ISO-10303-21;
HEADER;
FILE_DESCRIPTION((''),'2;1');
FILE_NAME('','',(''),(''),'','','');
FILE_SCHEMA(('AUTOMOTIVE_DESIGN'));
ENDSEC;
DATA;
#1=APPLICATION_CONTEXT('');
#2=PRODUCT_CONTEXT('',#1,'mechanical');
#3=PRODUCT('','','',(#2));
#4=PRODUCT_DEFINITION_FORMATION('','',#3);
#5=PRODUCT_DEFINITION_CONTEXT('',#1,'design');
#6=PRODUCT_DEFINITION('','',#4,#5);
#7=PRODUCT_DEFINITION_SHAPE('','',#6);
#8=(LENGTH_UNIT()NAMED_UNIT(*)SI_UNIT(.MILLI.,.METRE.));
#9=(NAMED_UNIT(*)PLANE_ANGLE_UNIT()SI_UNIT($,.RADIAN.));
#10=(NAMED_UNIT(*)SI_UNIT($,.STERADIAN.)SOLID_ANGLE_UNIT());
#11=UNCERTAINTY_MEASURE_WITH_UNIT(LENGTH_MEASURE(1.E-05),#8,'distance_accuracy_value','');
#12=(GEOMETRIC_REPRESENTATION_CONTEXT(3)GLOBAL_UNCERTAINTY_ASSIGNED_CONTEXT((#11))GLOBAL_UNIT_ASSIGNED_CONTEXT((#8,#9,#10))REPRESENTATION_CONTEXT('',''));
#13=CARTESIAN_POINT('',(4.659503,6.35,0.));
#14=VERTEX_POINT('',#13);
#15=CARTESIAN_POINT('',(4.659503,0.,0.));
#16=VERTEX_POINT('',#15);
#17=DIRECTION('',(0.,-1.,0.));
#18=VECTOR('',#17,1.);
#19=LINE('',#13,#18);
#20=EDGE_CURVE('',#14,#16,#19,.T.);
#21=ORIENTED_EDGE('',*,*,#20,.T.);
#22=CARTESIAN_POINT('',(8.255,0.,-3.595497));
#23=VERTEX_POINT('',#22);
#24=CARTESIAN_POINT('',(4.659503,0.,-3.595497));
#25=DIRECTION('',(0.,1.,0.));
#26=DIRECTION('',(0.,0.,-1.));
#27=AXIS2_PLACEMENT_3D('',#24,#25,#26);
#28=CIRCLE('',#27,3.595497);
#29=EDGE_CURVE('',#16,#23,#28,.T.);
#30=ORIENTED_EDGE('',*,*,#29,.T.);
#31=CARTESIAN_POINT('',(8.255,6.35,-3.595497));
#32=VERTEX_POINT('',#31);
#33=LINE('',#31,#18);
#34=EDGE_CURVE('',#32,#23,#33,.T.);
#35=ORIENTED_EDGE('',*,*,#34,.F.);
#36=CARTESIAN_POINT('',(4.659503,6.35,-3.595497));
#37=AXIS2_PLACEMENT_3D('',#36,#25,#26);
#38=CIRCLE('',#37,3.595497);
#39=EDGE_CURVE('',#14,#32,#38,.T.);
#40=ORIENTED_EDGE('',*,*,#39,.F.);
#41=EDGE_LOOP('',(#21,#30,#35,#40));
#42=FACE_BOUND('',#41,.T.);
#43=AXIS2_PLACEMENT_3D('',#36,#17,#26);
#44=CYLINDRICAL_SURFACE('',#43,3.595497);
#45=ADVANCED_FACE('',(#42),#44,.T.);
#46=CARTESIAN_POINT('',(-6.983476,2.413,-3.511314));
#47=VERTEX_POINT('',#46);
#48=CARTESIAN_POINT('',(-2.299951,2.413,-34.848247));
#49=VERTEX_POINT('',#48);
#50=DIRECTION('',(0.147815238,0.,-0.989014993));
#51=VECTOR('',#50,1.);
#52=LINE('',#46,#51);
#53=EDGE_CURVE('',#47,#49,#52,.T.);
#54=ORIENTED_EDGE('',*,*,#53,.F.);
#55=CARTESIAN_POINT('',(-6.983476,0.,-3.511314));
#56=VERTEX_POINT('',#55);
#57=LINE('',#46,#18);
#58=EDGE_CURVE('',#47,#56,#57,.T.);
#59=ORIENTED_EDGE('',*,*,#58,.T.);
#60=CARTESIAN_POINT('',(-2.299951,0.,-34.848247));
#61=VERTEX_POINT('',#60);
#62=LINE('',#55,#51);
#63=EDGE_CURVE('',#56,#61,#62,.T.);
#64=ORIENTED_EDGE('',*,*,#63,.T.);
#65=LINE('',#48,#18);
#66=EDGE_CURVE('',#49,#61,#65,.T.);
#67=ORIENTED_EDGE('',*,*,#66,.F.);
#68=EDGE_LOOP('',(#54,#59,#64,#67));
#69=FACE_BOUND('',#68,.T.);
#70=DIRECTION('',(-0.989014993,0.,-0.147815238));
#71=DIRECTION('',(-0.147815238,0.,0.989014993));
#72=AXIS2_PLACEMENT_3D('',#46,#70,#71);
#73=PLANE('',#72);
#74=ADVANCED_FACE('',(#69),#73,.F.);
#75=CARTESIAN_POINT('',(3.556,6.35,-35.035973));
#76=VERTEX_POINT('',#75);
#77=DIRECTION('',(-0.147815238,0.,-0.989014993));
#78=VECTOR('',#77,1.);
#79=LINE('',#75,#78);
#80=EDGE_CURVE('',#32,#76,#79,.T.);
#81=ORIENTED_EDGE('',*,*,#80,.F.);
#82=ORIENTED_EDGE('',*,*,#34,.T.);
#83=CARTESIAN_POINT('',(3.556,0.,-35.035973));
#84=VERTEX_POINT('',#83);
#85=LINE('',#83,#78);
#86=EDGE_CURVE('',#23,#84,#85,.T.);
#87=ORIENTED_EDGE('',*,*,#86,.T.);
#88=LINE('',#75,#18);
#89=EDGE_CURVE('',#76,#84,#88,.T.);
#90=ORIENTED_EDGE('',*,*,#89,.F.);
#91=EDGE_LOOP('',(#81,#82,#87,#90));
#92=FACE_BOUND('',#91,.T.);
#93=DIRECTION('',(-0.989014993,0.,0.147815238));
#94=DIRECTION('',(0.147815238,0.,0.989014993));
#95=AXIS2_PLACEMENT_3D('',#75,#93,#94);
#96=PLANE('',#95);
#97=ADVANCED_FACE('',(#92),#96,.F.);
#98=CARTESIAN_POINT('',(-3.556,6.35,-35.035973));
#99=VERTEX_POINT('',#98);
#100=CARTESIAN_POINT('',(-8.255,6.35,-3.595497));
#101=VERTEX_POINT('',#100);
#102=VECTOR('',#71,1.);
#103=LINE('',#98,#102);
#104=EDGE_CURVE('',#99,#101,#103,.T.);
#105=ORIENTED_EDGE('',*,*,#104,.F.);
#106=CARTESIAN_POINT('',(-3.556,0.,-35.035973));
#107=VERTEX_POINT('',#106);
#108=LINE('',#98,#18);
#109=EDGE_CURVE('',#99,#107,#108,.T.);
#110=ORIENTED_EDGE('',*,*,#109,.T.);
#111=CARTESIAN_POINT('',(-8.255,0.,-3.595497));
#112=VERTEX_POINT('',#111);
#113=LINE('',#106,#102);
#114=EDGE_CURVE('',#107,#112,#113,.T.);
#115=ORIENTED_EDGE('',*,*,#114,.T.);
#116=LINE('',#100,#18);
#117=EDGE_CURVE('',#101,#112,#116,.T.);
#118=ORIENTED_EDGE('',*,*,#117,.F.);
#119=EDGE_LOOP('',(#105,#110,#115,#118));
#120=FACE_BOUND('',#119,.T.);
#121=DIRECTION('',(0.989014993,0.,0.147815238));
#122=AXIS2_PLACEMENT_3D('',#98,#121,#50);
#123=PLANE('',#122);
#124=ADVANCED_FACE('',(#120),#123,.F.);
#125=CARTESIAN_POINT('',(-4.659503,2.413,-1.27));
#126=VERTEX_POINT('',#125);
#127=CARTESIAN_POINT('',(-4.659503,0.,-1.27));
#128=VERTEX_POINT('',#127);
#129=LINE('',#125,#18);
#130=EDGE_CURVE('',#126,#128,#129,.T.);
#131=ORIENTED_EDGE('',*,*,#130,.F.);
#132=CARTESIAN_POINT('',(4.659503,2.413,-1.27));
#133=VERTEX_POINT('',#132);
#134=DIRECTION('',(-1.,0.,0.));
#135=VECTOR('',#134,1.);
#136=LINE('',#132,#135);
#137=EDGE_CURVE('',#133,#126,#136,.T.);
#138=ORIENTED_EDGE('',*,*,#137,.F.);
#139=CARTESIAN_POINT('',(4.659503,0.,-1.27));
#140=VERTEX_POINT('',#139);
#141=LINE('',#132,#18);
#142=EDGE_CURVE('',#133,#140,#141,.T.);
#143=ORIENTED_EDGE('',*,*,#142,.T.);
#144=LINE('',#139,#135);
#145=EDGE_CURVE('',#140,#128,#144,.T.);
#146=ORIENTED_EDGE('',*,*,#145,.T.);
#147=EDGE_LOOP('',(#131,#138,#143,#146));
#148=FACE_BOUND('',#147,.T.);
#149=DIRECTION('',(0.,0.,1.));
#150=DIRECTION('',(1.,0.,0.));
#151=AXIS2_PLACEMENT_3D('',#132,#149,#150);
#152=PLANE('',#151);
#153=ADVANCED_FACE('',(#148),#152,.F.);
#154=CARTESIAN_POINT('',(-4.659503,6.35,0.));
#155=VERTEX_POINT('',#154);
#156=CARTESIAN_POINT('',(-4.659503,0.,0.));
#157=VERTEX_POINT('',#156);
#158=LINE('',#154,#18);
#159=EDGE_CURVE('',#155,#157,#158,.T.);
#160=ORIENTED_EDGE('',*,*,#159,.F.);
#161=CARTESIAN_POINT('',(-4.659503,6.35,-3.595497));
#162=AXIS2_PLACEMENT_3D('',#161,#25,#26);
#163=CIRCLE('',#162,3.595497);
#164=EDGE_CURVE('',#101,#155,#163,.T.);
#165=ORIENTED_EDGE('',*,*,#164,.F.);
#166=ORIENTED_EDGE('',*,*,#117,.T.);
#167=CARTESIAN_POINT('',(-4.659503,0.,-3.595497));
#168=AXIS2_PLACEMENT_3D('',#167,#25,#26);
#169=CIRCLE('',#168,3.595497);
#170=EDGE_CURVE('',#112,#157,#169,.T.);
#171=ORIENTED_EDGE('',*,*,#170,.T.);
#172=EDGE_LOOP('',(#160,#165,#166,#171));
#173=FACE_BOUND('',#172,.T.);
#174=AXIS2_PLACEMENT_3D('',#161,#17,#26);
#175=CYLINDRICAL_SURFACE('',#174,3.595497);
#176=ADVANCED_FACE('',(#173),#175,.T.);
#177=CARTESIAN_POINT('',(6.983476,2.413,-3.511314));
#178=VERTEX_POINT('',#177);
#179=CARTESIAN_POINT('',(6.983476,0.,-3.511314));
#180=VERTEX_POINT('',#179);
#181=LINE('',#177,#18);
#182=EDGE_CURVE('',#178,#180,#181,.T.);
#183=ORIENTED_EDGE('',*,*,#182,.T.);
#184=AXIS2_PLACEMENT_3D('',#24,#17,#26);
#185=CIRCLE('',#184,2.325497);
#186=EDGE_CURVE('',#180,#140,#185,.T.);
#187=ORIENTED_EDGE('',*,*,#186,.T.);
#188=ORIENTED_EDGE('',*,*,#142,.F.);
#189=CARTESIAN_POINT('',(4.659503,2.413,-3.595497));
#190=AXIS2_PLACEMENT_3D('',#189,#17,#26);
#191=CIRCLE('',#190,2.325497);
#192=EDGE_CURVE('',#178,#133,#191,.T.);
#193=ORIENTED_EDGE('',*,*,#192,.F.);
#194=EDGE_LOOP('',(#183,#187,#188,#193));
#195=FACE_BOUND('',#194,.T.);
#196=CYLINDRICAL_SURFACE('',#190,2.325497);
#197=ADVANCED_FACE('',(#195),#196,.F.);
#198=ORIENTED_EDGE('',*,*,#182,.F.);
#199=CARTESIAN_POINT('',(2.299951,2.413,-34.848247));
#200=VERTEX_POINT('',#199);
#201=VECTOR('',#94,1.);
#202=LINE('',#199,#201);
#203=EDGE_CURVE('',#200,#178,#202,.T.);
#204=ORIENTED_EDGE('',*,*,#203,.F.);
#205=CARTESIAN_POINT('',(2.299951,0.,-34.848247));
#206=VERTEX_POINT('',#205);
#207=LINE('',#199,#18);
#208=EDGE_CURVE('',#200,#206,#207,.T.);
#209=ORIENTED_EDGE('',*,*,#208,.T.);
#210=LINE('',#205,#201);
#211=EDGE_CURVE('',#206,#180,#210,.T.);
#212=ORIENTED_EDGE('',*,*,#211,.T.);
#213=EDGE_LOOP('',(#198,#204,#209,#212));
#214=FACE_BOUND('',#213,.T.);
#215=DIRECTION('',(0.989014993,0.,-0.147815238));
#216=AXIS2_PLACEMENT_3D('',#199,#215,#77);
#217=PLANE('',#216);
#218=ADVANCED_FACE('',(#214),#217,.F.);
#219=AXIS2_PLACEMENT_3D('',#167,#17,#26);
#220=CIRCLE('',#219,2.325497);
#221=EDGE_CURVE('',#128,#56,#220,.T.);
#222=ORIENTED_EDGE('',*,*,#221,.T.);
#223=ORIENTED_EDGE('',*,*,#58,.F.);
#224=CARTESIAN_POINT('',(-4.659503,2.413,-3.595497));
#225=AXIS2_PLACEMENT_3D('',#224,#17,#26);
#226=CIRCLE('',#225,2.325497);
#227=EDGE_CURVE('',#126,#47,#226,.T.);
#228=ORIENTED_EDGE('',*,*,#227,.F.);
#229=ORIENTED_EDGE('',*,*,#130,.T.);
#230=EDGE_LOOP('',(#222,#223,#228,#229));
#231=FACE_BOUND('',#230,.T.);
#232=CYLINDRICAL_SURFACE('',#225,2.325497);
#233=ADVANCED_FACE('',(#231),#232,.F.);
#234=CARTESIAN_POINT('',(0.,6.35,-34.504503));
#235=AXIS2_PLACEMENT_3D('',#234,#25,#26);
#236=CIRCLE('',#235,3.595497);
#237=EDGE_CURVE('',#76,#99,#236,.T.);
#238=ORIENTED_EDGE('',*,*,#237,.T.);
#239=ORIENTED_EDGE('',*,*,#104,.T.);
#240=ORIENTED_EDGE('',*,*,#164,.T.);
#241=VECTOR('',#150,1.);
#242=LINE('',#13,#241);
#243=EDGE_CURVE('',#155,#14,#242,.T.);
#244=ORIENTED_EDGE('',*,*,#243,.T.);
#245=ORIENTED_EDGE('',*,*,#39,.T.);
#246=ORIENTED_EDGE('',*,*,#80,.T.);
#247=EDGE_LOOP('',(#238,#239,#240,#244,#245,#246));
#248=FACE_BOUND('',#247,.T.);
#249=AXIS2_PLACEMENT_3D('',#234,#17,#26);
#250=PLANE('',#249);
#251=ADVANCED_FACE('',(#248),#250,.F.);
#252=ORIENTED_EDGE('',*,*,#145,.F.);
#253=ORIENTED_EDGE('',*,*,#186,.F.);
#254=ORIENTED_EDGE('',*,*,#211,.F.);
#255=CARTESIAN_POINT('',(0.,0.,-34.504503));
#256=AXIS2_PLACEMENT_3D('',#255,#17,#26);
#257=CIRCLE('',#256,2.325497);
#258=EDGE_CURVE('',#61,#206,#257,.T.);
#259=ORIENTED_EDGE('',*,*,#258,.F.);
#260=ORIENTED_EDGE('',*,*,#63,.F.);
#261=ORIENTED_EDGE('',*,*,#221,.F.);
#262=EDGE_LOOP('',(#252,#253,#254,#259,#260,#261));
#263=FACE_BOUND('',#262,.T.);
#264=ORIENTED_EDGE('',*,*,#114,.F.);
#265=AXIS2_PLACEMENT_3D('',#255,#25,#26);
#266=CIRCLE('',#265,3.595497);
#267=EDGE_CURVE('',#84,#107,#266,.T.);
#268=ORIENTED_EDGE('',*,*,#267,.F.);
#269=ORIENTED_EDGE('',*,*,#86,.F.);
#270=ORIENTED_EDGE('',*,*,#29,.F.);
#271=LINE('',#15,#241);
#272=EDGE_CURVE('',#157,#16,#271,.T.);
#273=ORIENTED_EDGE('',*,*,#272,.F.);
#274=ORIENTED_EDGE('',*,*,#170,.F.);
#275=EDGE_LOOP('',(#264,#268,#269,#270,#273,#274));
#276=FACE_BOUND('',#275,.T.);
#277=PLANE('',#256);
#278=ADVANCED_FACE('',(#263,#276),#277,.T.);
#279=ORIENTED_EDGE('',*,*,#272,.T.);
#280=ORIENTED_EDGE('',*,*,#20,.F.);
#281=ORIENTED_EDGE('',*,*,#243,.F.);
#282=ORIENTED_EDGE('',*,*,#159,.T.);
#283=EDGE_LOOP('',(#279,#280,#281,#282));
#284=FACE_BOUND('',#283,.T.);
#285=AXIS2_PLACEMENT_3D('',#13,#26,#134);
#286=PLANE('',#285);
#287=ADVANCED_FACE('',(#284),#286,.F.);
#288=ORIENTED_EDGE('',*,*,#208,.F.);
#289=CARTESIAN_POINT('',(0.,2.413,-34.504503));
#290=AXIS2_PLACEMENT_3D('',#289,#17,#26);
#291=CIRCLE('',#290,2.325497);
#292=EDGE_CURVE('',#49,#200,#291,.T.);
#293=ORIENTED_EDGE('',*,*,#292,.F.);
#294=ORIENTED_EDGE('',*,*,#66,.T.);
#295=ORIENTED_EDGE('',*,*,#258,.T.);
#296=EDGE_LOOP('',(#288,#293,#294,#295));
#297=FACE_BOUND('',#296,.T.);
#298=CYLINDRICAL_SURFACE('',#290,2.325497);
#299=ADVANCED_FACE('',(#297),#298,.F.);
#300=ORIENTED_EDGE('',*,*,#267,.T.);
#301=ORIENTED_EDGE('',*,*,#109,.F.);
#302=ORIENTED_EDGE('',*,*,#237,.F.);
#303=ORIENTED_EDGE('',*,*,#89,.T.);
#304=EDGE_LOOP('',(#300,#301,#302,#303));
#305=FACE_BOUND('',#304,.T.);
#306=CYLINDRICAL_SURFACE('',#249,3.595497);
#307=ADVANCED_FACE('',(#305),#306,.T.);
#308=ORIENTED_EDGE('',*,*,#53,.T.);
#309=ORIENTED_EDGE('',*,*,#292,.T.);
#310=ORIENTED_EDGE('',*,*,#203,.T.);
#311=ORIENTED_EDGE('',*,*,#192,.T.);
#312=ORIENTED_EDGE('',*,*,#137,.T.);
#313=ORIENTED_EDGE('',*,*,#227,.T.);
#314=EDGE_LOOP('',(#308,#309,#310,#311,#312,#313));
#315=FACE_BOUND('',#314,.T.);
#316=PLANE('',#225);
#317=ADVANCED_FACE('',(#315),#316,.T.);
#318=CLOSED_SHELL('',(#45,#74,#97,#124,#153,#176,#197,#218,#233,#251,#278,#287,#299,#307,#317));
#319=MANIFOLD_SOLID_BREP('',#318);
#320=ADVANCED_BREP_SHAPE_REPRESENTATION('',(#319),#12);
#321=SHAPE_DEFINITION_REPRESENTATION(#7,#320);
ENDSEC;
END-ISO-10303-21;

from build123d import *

# Parameters (mm, degrees)
BOSS_EXTRUDE1_DEPTH = 6.35
CUT_EXTRUDE1_DEPTH  = 2.413


with BuildPart() as part:
    # Sketch1 → Boss-Extrude1 (new body)
    with BuildSketch(Plane(origin=(0, 0, 0), x_dir=(1, 0, 0), z_dir=(0, 1, 0))):
        with BuildLine():
            Line((3.556, 35.035972622), (8.255, 3.595496557))
            ThreePointArc((8.255, 3.595496557), (7.20190344, 1.05309656), (4.659503443, 0))
            Line((4.659503443, 0), (-4.659503443, 0))
            ThreePointArc((-4.659503443, 0), (-7.20190344, 1.05309656), (-8.255, 3.595496557))
            Line((-8.255, 3.595496557), (-3.556, 35.035972622))
            ThreePointArc((-3.556, 35.035972622), (0, 38.1), (3.556, 35.035972622))
        make_face()
    extrude(amount=BOSS_EXTRUDE1_DEPTH)

    # Sketch2 → Cut-Extrude1 (cut)
    with BuildSketch(Plane.XZ):
        with BuildLine():
            Line((-6.983475796, -3.511313771), (-2.299950959, -34.84824727))
            ThreePointArc((-2.299950959, -34.84824727), (0, -36.83), (2.299950959, -34.84824727))
            Line((2.299950959, -34.84824727), (6.983475796, -3.511313771))
            ThreePointArc((6.983475796, -3.511313771), (6.273840375, -1.92162365), (4.659503443, -1.27))
            Line((4.659503443, -1.27), (-4.659503443, -1.27))
            ThreePointArc((-4.659503443, -1.27), (-6.273840375, -1.92162365), (-6.983475796, -3.511313771))
        make_face()
    extrude(amount=-CUT_EXTRUDE1_DEPTH, mode=Mode.SUBTRACT)


solid = part.part
